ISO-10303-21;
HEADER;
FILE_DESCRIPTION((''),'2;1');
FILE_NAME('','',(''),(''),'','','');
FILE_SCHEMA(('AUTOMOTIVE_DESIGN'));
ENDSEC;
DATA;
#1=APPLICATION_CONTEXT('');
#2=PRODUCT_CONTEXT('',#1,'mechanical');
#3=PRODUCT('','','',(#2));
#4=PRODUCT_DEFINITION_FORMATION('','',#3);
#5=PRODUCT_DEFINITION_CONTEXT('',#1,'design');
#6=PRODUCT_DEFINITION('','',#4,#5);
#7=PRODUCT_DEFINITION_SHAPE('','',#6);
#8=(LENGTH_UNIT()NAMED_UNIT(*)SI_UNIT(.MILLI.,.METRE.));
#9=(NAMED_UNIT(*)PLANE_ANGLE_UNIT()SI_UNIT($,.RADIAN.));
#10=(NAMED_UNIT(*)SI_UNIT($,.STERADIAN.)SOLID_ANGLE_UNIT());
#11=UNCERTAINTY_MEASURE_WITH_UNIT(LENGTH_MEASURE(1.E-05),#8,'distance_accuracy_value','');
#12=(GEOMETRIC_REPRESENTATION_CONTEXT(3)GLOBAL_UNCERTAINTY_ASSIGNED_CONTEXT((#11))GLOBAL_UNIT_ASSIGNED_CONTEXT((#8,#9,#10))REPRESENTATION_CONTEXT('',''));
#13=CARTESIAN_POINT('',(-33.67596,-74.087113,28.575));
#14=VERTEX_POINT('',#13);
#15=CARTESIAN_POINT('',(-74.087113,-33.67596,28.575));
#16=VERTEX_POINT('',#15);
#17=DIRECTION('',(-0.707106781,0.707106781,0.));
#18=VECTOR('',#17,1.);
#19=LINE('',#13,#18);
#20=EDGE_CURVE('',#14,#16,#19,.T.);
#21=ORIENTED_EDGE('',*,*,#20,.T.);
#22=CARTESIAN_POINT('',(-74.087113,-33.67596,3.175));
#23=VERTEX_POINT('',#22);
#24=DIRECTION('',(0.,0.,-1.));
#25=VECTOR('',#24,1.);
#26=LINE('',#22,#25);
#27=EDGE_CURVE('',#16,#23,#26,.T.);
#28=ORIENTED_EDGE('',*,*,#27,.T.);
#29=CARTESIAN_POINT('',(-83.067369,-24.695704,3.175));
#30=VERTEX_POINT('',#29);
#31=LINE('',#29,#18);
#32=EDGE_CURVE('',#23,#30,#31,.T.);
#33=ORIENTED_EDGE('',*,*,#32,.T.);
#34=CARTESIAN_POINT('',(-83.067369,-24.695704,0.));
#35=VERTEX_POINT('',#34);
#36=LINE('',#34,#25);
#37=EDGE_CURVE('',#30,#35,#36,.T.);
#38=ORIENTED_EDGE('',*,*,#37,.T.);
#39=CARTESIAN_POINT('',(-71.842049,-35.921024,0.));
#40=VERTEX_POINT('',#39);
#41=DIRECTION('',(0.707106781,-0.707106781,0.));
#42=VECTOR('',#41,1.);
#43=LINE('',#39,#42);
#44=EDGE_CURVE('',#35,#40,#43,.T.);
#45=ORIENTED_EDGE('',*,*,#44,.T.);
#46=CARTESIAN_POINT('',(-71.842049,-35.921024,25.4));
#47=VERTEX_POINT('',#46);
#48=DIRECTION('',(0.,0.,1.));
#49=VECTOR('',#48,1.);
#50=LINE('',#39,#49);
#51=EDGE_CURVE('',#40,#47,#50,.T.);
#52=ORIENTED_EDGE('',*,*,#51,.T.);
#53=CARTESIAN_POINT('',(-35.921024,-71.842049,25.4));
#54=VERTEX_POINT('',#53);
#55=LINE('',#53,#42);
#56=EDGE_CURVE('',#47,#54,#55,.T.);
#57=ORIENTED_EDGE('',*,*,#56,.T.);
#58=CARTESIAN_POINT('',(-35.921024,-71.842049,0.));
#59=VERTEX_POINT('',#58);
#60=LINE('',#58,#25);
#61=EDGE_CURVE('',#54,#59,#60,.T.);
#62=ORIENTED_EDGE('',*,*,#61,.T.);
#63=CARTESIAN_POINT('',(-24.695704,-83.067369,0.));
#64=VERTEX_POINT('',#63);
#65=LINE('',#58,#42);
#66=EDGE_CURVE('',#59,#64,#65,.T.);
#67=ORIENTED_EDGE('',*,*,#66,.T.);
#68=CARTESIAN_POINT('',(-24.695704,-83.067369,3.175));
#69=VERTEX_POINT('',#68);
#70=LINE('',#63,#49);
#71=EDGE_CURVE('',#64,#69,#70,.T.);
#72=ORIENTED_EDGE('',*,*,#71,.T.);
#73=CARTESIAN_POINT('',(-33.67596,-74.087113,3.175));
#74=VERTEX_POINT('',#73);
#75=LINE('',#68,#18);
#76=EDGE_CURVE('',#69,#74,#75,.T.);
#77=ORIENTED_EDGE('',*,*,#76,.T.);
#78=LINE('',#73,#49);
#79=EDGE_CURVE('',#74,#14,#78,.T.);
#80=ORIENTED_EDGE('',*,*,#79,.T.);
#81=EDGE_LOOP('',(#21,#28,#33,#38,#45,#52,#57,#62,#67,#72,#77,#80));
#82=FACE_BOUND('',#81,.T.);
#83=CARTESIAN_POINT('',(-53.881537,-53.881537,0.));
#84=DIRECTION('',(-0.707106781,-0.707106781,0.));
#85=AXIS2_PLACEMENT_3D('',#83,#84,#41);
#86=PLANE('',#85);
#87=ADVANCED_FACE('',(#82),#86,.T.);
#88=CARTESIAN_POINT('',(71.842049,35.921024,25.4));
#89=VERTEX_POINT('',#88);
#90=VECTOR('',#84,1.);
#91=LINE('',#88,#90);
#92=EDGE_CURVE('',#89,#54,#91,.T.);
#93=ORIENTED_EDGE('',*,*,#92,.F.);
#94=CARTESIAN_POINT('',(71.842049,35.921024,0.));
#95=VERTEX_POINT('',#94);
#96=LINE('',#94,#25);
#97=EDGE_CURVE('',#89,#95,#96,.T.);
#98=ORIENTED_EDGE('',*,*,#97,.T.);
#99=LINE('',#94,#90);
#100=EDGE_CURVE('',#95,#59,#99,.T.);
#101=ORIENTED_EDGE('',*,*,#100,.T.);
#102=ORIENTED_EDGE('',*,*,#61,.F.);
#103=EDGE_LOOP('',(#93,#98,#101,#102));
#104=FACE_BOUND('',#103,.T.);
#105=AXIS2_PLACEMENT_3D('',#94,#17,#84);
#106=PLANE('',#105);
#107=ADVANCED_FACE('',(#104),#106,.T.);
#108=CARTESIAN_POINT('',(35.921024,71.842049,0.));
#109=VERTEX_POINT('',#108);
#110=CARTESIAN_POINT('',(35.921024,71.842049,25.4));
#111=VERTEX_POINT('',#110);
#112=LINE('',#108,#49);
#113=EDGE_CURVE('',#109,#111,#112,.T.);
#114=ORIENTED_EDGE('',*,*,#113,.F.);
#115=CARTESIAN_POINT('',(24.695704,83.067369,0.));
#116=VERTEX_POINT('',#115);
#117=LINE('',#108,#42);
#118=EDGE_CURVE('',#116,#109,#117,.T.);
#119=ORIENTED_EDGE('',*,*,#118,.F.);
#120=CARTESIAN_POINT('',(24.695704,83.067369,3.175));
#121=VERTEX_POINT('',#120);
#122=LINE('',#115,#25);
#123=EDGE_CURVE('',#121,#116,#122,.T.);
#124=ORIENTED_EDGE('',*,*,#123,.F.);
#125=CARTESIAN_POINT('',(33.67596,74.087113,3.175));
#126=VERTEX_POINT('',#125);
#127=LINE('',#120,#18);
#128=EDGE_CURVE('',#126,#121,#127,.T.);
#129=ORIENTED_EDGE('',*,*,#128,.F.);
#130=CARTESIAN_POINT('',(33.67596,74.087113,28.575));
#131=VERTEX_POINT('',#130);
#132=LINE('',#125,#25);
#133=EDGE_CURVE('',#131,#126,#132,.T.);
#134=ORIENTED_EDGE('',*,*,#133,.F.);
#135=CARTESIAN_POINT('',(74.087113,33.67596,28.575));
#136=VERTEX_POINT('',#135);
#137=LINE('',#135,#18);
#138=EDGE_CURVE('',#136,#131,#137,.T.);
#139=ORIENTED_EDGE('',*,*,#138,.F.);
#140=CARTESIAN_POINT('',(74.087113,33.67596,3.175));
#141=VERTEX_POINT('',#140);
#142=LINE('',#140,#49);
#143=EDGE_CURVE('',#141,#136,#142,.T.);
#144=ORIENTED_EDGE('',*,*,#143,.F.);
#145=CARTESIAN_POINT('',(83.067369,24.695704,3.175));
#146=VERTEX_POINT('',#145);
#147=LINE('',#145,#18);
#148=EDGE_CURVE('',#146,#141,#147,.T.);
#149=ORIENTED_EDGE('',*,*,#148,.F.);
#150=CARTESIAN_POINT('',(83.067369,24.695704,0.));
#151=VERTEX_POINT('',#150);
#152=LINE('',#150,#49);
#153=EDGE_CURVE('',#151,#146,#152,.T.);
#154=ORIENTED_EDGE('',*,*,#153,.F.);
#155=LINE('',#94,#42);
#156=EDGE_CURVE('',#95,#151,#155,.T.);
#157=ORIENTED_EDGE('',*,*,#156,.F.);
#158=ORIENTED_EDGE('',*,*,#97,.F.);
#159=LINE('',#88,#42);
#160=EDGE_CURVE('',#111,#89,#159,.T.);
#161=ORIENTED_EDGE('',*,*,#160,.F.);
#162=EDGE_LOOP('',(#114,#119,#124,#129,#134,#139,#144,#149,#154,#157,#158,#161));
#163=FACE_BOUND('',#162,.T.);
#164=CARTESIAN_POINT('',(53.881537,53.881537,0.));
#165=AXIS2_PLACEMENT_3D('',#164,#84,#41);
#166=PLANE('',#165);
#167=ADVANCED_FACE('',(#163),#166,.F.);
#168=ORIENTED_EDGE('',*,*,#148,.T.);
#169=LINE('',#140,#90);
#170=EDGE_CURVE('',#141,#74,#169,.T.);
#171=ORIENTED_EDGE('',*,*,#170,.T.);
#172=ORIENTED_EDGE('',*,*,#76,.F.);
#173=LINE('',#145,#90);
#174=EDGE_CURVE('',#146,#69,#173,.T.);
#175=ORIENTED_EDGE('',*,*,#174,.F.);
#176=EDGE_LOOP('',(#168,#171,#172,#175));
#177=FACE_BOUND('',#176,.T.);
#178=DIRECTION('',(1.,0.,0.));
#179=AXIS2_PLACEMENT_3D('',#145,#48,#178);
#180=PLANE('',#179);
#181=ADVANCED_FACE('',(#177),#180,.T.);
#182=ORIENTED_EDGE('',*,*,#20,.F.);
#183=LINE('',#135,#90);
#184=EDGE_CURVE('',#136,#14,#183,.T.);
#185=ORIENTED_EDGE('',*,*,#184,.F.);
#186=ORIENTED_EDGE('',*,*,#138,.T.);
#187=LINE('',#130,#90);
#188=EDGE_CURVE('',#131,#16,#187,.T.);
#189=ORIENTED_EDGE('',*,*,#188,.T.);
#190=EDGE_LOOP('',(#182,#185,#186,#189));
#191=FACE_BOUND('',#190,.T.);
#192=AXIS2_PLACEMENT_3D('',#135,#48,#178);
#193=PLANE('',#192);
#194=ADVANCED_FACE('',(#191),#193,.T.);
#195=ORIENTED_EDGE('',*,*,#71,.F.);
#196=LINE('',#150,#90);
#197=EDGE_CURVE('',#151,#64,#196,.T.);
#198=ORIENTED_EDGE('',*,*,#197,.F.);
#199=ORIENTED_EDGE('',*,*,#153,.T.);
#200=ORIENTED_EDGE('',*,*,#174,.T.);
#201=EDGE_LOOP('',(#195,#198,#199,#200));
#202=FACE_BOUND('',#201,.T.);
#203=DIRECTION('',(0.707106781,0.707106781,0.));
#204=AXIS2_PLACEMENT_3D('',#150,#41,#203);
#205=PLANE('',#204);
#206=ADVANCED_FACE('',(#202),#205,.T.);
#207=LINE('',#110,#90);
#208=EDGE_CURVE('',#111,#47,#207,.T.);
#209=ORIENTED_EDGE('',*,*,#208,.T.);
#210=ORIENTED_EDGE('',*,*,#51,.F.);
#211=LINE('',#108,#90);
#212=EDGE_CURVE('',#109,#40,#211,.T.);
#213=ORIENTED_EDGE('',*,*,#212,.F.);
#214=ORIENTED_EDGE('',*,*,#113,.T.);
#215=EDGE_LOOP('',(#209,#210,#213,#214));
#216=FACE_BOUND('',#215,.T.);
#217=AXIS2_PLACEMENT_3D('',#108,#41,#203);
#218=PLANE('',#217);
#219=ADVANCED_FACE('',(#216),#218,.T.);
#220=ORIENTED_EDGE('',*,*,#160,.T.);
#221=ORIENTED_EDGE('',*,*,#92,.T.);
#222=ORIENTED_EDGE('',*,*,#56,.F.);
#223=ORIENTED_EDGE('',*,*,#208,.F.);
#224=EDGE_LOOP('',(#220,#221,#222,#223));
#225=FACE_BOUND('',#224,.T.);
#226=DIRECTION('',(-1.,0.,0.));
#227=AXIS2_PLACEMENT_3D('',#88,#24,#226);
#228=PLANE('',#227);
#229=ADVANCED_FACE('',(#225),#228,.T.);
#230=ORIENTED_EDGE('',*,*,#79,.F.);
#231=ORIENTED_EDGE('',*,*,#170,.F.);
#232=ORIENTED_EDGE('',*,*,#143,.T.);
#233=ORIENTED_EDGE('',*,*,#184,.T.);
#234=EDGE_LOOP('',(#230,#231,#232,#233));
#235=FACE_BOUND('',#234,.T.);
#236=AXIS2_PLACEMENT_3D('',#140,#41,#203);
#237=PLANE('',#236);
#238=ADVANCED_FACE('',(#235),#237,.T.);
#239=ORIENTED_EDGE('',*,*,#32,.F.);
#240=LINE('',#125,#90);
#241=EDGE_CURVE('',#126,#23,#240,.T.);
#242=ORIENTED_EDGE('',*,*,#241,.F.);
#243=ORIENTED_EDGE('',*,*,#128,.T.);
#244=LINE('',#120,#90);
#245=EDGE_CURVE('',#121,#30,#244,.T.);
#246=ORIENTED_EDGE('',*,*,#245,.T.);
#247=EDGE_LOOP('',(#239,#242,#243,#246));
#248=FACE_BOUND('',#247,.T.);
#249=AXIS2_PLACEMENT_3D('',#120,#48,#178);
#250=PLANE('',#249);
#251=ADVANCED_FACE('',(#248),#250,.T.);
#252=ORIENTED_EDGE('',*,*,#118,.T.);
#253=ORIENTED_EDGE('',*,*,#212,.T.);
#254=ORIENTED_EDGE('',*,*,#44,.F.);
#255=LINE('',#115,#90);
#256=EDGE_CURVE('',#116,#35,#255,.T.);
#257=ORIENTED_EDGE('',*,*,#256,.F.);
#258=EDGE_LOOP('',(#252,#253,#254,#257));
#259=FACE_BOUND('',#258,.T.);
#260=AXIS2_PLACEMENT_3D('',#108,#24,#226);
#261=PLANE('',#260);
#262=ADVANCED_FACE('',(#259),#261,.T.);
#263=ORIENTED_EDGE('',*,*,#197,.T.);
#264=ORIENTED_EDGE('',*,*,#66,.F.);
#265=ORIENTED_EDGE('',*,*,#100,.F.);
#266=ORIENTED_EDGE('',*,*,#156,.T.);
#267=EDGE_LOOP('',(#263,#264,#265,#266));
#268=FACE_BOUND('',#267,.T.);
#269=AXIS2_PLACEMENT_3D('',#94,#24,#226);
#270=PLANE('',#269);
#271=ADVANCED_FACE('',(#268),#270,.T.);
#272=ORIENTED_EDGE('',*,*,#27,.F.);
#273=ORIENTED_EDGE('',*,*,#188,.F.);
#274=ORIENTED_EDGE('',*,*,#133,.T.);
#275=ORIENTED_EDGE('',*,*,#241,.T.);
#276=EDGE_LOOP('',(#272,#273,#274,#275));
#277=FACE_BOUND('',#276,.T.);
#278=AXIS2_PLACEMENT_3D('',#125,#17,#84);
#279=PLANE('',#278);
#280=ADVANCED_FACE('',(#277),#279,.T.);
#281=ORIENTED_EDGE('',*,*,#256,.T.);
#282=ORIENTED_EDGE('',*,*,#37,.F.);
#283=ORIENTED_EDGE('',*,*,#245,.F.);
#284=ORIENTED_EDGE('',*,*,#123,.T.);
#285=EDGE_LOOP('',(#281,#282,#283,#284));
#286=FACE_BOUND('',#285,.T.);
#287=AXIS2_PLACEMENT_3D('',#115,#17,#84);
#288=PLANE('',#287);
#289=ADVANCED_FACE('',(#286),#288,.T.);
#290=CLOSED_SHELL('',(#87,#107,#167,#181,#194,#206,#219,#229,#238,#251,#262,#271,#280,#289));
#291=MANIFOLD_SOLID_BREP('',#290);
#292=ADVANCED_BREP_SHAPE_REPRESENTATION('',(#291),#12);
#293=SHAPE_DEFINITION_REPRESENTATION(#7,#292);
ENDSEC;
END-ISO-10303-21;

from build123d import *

# Parameters (mm, degrees)
BOSS_EXTRUDE1_DEPTH = 152.4


with BuildPart() as part:
    # Sketch2 → Boss-Extrude1 (new body)
    with BuildSketch(Plane(origin=(-53.881536726, -53.881536726, 0), x_dir=(0, 0, 1), z_dir=(-0.707106781, -0.707106781, 0))):
        Polygon((3.175, -28.575), (28.575, -28.575), (28.575, 28.575), (3.175, 28.575), (3.175, 41.275), (0, 41.275), (0, 25.4), (25.4, 25.4), (25.4, -25.4), (0, -25.4), (0, -41.275), (3.175, -41.275), align=None)
    extrude(amount=-BOSS_EXTRUDE1_DEPTH)


solid = part.part
